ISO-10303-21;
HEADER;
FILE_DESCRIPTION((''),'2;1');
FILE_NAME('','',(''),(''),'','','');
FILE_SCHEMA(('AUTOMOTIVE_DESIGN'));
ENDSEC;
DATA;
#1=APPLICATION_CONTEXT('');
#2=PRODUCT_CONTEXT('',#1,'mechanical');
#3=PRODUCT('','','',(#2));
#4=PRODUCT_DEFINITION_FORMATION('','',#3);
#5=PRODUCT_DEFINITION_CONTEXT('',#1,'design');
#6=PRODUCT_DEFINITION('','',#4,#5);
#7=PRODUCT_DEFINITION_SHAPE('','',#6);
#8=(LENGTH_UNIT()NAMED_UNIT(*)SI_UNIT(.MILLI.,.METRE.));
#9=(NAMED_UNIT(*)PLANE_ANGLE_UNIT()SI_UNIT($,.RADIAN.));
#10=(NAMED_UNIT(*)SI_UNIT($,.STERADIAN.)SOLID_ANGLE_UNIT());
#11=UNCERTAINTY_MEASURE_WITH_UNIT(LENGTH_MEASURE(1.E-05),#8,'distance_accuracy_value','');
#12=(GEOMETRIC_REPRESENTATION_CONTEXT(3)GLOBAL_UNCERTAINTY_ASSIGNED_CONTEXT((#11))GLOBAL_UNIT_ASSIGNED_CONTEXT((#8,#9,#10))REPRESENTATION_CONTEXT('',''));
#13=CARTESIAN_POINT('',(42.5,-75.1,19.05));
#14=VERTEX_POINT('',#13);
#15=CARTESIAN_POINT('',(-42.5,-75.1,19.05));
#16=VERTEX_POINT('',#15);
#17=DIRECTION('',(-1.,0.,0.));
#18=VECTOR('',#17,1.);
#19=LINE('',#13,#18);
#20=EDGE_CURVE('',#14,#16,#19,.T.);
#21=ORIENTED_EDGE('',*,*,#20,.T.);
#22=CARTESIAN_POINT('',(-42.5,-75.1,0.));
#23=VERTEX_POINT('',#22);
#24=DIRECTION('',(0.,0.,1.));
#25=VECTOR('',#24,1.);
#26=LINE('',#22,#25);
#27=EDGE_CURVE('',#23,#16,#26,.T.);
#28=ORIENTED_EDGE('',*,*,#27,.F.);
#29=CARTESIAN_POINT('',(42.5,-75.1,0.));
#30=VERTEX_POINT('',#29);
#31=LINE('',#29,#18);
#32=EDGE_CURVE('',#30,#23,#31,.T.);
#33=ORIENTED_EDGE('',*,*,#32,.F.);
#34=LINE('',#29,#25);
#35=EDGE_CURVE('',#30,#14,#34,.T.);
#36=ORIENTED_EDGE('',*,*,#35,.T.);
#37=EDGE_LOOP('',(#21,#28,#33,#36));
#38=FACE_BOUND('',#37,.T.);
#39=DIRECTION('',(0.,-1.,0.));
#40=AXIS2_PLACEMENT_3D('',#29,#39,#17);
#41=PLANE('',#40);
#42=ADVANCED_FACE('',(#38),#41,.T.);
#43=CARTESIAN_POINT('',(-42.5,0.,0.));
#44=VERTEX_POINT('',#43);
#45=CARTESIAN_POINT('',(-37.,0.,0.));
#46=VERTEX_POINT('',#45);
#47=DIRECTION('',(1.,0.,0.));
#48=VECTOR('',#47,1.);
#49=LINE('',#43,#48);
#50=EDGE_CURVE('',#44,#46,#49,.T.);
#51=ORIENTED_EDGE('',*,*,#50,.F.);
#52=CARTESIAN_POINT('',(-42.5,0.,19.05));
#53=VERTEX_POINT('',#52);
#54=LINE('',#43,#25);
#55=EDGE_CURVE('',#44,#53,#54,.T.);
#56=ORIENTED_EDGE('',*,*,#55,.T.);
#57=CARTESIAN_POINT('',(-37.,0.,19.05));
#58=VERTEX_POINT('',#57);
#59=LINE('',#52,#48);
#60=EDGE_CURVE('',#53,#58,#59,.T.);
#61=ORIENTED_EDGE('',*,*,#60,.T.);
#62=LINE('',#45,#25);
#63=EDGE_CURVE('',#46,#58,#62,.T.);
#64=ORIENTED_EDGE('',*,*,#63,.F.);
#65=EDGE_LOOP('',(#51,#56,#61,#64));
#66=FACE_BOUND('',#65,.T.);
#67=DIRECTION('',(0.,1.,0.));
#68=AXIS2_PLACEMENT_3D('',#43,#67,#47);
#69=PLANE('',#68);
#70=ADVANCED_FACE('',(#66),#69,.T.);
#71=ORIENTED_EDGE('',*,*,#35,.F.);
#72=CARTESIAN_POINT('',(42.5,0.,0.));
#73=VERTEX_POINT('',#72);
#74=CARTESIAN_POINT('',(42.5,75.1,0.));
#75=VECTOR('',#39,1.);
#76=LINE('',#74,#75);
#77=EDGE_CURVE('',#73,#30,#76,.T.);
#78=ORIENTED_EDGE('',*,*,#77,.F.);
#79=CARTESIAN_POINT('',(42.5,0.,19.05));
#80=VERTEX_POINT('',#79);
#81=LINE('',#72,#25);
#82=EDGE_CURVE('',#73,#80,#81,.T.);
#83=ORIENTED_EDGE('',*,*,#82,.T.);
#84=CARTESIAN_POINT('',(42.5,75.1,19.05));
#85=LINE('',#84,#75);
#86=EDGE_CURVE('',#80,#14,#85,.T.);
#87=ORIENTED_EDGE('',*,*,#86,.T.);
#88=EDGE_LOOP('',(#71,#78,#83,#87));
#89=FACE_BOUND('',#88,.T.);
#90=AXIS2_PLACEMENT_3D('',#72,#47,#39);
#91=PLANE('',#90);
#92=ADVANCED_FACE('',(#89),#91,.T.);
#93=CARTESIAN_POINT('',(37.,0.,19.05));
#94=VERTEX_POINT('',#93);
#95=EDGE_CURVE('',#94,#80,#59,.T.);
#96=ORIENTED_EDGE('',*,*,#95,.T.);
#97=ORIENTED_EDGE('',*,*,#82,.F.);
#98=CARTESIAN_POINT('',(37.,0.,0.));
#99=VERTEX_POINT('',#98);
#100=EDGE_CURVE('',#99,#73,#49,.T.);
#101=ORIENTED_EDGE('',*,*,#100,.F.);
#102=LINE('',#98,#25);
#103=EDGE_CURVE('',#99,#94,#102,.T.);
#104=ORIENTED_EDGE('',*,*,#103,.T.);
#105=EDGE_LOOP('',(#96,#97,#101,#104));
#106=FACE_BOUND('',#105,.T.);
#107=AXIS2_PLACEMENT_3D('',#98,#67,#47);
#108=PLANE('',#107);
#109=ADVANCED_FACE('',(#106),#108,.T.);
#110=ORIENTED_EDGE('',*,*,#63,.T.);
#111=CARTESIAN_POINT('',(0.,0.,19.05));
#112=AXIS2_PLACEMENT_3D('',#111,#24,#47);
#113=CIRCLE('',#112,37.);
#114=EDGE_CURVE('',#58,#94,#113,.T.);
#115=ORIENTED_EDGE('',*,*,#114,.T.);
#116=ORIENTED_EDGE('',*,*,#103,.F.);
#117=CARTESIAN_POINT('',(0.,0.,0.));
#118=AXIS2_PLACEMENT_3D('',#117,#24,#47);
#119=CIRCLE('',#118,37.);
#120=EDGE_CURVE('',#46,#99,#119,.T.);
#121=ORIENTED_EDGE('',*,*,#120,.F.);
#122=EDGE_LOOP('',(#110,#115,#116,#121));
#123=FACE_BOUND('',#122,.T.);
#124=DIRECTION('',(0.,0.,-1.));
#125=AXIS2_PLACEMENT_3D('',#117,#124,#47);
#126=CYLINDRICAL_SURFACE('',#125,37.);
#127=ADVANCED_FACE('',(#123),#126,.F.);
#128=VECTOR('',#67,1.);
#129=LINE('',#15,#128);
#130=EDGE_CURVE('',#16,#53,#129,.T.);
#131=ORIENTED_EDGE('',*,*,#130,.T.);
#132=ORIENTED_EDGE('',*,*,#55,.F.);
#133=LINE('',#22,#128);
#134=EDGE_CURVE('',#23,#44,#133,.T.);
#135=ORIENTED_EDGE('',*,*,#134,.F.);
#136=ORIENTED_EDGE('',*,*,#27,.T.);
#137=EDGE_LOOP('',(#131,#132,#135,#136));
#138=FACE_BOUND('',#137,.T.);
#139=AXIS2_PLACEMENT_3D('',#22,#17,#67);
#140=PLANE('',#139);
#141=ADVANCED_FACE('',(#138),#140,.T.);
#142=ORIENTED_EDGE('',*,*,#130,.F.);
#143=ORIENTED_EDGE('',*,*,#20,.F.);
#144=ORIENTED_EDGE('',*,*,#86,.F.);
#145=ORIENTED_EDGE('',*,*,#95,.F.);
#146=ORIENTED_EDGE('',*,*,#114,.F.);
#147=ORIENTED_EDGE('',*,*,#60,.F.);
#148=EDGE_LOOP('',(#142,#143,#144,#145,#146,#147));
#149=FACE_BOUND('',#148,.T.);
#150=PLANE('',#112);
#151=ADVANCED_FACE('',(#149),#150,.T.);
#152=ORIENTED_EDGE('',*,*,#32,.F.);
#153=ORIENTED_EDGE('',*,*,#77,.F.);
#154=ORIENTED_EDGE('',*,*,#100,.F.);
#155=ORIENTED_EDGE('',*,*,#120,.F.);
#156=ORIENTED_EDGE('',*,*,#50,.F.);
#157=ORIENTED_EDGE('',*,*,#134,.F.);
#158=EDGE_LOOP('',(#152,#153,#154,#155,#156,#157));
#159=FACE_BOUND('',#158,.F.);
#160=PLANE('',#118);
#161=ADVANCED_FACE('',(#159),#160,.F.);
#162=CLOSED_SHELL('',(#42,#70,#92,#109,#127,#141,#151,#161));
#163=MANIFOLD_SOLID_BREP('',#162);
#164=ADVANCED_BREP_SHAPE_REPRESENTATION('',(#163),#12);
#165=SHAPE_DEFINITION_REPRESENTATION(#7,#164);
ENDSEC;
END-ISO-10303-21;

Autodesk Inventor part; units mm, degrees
ref_plane "YZ Plane" through (0, 0, 0) normal (1, 0, 0) x (0, 1, 0)
ref_plane "XZ Plane" through (0, 0, 0) normal (0, 1, 0) x (-1, 0, 0)
ref_plane "XY Plane" through (0, 0, 0) normal (0, 0, 1) x (1, 0, 0)
sketch "Sketch6" plane through (0, 0, 0) normal (0, 0, 1) x (1, 0, 0)
  circle A0 centre (0, 0) radius 37
  line L0 (-42.5, 75.1) -> (42.5, 75.1)
  line L1 (42.5, 75.1) -> (42.5, -75.1)
  line L2 (42.5, -75.1) -> (-42.5, -75.1)
  line L3 (-42.5, -75.1) -> (-42.5, 75.1)
  line L4 (-42.5, 75.1) -> (42.5, -75.1) construction
  line L5 (42.5, 75.1) -> (-42.5, -75.1) construction
  line L6 (-42.5, 0) -> (42.5, 0)
  line L7 (-42.5, 0) -> (42.5, 0)
  point P0 (0, -37)
  point P1 (37, 0)
  point P2 (-37, 0)
  dimension "d25" = 74
  dimension "d26" = 85
  dimension "d27" = 38.1
extrude "Extrusion5" add sketch "Sketch6" along normal blind 19.05 contours L6 L1 L2 L3 A0
properties part number "Button Cover"
